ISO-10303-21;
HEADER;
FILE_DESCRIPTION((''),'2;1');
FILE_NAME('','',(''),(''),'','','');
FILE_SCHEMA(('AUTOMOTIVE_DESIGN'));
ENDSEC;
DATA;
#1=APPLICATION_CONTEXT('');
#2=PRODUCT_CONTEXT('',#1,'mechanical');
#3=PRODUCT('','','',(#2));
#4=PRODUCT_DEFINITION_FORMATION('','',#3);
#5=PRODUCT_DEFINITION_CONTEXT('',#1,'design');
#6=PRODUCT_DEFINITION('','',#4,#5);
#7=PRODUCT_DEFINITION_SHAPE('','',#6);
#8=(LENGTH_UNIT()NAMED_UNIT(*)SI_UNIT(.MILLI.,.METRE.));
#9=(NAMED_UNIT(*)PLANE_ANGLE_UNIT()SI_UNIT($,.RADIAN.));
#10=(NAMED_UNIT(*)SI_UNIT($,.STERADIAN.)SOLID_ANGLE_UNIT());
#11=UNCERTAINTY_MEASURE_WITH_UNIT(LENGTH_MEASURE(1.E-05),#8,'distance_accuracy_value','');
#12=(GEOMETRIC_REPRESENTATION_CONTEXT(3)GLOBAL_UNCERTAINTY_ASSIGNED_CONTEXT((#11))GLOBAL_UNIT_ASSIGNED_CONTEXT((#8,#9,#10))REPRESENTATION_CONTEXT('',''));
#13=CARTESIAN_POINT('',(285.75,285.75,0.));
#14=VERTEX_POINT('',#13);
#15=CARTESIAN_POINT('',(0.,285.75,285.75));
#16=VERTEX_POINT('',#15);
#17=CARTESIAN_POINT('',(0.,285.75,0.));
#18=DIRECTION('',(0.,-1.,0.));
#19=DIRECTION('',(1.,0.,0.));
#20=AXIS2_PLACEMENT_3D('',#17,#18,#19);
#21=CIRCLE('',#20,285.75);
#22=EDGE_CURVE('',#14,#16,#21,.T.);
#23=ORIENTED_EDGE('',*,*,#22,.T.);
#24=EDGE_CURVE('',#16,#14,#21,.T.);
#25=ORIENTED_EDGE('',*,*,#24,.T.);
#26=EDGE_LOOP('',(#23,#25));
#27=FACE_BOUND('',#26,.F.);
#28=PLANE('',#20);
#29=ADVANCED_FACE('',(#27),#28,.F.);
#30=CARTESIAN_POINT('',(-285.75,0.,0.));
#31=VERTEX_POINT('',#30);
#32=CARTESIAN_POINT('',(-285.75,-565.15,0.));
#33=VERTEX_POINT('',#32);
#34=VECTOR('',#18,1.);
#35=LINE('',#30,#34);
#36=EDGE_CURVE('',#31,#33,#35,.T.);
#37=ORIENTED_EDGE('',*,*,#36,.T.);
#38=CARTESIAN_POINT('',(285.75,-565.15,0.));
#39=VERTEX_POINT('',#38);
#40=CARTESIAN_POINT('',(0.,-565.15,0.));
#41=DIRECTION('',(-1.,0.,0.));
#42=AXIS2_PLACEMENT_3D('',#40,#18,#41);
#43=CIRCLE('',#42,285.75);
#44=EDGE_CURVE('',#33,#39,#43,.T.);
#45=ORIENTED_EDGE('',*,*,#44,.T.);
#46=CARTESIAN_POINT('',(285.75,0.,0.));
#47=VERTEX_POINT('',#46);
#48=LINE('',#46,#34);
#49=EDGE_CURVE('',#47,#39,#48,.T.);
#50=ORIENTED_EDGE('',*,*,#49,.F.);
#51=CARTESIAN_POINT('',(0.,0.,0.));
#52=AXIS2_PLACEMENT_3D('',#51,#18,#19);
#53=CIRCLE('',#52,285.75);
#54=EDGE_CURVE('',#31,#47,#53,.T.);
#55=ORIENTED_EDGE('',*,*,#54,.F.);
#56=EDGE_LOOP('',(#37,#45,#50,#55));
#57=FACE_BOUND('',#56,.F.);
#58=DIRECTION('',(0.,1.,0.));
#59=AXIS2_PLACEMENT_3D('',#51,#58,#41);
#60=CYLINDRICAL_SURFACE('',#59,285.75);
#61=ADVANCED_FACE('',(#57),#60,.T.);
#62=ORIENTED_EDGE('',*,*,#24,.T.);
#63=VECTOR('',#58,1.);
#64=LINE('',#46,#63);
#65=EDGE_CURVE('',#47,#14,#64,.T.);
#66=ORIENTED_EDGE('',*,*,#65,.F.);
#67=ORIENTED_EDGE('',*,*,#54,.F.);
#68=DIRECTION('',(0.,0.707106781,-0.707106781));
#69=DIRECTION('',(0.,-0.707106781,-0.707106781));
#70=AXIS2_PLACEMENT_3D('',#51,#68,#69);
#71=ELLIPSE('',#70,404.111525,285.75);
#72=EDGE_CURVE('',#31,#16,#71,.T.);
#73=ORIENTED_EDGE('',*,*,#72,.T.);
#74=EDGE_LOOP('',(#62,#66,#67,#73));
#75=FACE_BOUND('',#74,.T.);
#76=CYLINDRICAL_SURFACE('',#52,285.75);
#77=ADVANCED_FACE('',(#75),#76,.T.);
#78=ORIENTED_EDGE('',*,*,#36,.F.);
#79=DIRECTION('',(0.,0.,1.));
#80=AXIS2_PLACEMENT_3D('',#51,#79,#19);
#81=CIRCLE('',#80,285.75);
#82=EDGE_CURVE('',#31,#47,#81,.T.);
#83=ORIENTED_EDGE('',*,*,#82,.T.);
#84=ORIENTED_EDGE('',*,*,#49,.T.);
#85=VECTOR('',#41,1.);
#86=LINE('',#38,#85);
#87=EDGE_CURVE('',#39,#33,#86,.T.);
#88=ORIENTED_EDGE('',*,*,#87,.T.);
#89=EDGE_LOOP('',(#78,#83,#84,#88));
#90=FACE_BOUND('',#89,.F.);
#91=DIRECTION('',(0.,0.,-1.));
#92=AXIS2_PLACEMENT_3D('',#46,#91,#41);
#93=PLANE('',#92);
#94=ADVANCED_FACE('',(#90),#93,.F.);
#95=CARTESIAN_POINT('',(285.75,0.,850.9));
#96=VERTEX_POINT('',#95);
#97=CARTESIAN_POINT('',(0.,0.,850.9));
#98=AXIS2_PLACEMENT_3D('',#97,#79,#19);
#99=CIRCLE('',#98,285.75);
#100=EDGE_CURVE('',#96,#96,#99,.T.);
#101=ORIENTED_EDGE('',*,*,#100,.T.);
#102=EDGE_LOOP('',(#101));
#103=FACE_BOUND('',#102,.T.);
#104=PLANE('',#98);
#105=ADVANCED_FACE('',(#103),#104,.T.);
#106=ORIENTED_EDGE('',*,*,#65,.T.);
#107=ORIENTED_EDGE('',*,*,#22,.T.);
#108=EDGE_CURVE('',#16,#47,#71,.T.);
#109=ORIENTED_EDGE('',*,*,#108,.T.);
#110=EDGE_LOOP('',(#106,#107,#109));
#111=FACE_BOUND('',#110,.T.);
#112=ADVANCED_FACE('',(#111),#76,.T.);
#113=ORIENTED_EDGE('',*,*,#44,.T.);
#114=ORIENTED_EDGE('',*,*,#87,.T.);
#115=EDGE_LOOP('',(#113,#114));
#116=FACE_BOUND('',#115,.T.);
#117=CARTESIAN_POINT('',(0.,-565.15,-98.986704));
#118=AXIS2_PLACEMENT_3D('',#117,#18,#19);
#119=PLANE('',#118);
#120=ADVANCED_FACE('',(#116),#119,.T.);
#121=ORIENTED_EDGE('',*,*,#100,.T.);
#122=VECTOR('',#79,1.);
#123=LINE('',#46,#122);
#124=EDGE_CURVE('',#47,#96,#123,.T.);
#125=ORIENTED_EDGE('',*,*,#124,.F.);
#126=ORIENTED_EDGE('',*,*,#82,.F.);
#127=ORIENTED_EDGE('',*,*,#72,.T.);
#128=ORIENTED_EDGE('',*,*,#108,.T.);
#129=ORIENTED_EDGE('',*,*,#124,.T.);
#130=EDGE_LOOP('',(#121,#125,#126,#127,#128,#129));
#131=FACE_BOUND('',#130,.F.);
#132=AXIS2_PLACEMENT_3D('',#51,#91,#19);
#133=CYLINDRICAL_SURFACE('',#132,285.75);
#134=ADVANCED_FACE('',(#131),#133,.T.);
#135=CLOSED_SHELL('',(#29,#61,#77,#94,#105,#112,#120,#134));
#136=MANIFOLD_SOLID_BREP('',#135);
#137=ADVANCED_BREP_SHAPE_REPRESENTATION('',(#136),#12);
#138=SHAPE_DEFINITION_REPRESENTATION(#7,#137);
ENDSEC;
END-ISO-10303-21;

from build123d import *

# Parameters (mm, degrees)
F0_R     = 285.75
F1_DEPTH = 850.9
F2_R     = 285.75
F3_DEPTH = 285.75
F4_DEPTH = 565.15


with BuildPart() as f1:
    # F0 (on Top) → F1 (new body)
    with BuildSketch(Plane.XY):
        Circle(F0_R)
    extrude(amount=F1_DEPTH)

    # F2 (on Front) → F3 (join)
    with BuildSketch(Plane.XZ):
        Circle(F2_R)
    extrude(amount=-F3_DEPTH)

    # F3_face (on face) → F4 (join)
    with BuildSketch(Plane(origin=(0, 0, -121.276067), x_dir=(1, 0, 0), z_dir=(0, -1, 0))):
        with BuildLine():
            ThreePointArc((-285.75, 121.276067), (0, -164.473933), (285.75, 121.276067))
            Line((285.75, 121.276067), (-285.75, 121.276067))
        make_face()
    extrude(amount=F4_DEPTH)


solid = f1.part
